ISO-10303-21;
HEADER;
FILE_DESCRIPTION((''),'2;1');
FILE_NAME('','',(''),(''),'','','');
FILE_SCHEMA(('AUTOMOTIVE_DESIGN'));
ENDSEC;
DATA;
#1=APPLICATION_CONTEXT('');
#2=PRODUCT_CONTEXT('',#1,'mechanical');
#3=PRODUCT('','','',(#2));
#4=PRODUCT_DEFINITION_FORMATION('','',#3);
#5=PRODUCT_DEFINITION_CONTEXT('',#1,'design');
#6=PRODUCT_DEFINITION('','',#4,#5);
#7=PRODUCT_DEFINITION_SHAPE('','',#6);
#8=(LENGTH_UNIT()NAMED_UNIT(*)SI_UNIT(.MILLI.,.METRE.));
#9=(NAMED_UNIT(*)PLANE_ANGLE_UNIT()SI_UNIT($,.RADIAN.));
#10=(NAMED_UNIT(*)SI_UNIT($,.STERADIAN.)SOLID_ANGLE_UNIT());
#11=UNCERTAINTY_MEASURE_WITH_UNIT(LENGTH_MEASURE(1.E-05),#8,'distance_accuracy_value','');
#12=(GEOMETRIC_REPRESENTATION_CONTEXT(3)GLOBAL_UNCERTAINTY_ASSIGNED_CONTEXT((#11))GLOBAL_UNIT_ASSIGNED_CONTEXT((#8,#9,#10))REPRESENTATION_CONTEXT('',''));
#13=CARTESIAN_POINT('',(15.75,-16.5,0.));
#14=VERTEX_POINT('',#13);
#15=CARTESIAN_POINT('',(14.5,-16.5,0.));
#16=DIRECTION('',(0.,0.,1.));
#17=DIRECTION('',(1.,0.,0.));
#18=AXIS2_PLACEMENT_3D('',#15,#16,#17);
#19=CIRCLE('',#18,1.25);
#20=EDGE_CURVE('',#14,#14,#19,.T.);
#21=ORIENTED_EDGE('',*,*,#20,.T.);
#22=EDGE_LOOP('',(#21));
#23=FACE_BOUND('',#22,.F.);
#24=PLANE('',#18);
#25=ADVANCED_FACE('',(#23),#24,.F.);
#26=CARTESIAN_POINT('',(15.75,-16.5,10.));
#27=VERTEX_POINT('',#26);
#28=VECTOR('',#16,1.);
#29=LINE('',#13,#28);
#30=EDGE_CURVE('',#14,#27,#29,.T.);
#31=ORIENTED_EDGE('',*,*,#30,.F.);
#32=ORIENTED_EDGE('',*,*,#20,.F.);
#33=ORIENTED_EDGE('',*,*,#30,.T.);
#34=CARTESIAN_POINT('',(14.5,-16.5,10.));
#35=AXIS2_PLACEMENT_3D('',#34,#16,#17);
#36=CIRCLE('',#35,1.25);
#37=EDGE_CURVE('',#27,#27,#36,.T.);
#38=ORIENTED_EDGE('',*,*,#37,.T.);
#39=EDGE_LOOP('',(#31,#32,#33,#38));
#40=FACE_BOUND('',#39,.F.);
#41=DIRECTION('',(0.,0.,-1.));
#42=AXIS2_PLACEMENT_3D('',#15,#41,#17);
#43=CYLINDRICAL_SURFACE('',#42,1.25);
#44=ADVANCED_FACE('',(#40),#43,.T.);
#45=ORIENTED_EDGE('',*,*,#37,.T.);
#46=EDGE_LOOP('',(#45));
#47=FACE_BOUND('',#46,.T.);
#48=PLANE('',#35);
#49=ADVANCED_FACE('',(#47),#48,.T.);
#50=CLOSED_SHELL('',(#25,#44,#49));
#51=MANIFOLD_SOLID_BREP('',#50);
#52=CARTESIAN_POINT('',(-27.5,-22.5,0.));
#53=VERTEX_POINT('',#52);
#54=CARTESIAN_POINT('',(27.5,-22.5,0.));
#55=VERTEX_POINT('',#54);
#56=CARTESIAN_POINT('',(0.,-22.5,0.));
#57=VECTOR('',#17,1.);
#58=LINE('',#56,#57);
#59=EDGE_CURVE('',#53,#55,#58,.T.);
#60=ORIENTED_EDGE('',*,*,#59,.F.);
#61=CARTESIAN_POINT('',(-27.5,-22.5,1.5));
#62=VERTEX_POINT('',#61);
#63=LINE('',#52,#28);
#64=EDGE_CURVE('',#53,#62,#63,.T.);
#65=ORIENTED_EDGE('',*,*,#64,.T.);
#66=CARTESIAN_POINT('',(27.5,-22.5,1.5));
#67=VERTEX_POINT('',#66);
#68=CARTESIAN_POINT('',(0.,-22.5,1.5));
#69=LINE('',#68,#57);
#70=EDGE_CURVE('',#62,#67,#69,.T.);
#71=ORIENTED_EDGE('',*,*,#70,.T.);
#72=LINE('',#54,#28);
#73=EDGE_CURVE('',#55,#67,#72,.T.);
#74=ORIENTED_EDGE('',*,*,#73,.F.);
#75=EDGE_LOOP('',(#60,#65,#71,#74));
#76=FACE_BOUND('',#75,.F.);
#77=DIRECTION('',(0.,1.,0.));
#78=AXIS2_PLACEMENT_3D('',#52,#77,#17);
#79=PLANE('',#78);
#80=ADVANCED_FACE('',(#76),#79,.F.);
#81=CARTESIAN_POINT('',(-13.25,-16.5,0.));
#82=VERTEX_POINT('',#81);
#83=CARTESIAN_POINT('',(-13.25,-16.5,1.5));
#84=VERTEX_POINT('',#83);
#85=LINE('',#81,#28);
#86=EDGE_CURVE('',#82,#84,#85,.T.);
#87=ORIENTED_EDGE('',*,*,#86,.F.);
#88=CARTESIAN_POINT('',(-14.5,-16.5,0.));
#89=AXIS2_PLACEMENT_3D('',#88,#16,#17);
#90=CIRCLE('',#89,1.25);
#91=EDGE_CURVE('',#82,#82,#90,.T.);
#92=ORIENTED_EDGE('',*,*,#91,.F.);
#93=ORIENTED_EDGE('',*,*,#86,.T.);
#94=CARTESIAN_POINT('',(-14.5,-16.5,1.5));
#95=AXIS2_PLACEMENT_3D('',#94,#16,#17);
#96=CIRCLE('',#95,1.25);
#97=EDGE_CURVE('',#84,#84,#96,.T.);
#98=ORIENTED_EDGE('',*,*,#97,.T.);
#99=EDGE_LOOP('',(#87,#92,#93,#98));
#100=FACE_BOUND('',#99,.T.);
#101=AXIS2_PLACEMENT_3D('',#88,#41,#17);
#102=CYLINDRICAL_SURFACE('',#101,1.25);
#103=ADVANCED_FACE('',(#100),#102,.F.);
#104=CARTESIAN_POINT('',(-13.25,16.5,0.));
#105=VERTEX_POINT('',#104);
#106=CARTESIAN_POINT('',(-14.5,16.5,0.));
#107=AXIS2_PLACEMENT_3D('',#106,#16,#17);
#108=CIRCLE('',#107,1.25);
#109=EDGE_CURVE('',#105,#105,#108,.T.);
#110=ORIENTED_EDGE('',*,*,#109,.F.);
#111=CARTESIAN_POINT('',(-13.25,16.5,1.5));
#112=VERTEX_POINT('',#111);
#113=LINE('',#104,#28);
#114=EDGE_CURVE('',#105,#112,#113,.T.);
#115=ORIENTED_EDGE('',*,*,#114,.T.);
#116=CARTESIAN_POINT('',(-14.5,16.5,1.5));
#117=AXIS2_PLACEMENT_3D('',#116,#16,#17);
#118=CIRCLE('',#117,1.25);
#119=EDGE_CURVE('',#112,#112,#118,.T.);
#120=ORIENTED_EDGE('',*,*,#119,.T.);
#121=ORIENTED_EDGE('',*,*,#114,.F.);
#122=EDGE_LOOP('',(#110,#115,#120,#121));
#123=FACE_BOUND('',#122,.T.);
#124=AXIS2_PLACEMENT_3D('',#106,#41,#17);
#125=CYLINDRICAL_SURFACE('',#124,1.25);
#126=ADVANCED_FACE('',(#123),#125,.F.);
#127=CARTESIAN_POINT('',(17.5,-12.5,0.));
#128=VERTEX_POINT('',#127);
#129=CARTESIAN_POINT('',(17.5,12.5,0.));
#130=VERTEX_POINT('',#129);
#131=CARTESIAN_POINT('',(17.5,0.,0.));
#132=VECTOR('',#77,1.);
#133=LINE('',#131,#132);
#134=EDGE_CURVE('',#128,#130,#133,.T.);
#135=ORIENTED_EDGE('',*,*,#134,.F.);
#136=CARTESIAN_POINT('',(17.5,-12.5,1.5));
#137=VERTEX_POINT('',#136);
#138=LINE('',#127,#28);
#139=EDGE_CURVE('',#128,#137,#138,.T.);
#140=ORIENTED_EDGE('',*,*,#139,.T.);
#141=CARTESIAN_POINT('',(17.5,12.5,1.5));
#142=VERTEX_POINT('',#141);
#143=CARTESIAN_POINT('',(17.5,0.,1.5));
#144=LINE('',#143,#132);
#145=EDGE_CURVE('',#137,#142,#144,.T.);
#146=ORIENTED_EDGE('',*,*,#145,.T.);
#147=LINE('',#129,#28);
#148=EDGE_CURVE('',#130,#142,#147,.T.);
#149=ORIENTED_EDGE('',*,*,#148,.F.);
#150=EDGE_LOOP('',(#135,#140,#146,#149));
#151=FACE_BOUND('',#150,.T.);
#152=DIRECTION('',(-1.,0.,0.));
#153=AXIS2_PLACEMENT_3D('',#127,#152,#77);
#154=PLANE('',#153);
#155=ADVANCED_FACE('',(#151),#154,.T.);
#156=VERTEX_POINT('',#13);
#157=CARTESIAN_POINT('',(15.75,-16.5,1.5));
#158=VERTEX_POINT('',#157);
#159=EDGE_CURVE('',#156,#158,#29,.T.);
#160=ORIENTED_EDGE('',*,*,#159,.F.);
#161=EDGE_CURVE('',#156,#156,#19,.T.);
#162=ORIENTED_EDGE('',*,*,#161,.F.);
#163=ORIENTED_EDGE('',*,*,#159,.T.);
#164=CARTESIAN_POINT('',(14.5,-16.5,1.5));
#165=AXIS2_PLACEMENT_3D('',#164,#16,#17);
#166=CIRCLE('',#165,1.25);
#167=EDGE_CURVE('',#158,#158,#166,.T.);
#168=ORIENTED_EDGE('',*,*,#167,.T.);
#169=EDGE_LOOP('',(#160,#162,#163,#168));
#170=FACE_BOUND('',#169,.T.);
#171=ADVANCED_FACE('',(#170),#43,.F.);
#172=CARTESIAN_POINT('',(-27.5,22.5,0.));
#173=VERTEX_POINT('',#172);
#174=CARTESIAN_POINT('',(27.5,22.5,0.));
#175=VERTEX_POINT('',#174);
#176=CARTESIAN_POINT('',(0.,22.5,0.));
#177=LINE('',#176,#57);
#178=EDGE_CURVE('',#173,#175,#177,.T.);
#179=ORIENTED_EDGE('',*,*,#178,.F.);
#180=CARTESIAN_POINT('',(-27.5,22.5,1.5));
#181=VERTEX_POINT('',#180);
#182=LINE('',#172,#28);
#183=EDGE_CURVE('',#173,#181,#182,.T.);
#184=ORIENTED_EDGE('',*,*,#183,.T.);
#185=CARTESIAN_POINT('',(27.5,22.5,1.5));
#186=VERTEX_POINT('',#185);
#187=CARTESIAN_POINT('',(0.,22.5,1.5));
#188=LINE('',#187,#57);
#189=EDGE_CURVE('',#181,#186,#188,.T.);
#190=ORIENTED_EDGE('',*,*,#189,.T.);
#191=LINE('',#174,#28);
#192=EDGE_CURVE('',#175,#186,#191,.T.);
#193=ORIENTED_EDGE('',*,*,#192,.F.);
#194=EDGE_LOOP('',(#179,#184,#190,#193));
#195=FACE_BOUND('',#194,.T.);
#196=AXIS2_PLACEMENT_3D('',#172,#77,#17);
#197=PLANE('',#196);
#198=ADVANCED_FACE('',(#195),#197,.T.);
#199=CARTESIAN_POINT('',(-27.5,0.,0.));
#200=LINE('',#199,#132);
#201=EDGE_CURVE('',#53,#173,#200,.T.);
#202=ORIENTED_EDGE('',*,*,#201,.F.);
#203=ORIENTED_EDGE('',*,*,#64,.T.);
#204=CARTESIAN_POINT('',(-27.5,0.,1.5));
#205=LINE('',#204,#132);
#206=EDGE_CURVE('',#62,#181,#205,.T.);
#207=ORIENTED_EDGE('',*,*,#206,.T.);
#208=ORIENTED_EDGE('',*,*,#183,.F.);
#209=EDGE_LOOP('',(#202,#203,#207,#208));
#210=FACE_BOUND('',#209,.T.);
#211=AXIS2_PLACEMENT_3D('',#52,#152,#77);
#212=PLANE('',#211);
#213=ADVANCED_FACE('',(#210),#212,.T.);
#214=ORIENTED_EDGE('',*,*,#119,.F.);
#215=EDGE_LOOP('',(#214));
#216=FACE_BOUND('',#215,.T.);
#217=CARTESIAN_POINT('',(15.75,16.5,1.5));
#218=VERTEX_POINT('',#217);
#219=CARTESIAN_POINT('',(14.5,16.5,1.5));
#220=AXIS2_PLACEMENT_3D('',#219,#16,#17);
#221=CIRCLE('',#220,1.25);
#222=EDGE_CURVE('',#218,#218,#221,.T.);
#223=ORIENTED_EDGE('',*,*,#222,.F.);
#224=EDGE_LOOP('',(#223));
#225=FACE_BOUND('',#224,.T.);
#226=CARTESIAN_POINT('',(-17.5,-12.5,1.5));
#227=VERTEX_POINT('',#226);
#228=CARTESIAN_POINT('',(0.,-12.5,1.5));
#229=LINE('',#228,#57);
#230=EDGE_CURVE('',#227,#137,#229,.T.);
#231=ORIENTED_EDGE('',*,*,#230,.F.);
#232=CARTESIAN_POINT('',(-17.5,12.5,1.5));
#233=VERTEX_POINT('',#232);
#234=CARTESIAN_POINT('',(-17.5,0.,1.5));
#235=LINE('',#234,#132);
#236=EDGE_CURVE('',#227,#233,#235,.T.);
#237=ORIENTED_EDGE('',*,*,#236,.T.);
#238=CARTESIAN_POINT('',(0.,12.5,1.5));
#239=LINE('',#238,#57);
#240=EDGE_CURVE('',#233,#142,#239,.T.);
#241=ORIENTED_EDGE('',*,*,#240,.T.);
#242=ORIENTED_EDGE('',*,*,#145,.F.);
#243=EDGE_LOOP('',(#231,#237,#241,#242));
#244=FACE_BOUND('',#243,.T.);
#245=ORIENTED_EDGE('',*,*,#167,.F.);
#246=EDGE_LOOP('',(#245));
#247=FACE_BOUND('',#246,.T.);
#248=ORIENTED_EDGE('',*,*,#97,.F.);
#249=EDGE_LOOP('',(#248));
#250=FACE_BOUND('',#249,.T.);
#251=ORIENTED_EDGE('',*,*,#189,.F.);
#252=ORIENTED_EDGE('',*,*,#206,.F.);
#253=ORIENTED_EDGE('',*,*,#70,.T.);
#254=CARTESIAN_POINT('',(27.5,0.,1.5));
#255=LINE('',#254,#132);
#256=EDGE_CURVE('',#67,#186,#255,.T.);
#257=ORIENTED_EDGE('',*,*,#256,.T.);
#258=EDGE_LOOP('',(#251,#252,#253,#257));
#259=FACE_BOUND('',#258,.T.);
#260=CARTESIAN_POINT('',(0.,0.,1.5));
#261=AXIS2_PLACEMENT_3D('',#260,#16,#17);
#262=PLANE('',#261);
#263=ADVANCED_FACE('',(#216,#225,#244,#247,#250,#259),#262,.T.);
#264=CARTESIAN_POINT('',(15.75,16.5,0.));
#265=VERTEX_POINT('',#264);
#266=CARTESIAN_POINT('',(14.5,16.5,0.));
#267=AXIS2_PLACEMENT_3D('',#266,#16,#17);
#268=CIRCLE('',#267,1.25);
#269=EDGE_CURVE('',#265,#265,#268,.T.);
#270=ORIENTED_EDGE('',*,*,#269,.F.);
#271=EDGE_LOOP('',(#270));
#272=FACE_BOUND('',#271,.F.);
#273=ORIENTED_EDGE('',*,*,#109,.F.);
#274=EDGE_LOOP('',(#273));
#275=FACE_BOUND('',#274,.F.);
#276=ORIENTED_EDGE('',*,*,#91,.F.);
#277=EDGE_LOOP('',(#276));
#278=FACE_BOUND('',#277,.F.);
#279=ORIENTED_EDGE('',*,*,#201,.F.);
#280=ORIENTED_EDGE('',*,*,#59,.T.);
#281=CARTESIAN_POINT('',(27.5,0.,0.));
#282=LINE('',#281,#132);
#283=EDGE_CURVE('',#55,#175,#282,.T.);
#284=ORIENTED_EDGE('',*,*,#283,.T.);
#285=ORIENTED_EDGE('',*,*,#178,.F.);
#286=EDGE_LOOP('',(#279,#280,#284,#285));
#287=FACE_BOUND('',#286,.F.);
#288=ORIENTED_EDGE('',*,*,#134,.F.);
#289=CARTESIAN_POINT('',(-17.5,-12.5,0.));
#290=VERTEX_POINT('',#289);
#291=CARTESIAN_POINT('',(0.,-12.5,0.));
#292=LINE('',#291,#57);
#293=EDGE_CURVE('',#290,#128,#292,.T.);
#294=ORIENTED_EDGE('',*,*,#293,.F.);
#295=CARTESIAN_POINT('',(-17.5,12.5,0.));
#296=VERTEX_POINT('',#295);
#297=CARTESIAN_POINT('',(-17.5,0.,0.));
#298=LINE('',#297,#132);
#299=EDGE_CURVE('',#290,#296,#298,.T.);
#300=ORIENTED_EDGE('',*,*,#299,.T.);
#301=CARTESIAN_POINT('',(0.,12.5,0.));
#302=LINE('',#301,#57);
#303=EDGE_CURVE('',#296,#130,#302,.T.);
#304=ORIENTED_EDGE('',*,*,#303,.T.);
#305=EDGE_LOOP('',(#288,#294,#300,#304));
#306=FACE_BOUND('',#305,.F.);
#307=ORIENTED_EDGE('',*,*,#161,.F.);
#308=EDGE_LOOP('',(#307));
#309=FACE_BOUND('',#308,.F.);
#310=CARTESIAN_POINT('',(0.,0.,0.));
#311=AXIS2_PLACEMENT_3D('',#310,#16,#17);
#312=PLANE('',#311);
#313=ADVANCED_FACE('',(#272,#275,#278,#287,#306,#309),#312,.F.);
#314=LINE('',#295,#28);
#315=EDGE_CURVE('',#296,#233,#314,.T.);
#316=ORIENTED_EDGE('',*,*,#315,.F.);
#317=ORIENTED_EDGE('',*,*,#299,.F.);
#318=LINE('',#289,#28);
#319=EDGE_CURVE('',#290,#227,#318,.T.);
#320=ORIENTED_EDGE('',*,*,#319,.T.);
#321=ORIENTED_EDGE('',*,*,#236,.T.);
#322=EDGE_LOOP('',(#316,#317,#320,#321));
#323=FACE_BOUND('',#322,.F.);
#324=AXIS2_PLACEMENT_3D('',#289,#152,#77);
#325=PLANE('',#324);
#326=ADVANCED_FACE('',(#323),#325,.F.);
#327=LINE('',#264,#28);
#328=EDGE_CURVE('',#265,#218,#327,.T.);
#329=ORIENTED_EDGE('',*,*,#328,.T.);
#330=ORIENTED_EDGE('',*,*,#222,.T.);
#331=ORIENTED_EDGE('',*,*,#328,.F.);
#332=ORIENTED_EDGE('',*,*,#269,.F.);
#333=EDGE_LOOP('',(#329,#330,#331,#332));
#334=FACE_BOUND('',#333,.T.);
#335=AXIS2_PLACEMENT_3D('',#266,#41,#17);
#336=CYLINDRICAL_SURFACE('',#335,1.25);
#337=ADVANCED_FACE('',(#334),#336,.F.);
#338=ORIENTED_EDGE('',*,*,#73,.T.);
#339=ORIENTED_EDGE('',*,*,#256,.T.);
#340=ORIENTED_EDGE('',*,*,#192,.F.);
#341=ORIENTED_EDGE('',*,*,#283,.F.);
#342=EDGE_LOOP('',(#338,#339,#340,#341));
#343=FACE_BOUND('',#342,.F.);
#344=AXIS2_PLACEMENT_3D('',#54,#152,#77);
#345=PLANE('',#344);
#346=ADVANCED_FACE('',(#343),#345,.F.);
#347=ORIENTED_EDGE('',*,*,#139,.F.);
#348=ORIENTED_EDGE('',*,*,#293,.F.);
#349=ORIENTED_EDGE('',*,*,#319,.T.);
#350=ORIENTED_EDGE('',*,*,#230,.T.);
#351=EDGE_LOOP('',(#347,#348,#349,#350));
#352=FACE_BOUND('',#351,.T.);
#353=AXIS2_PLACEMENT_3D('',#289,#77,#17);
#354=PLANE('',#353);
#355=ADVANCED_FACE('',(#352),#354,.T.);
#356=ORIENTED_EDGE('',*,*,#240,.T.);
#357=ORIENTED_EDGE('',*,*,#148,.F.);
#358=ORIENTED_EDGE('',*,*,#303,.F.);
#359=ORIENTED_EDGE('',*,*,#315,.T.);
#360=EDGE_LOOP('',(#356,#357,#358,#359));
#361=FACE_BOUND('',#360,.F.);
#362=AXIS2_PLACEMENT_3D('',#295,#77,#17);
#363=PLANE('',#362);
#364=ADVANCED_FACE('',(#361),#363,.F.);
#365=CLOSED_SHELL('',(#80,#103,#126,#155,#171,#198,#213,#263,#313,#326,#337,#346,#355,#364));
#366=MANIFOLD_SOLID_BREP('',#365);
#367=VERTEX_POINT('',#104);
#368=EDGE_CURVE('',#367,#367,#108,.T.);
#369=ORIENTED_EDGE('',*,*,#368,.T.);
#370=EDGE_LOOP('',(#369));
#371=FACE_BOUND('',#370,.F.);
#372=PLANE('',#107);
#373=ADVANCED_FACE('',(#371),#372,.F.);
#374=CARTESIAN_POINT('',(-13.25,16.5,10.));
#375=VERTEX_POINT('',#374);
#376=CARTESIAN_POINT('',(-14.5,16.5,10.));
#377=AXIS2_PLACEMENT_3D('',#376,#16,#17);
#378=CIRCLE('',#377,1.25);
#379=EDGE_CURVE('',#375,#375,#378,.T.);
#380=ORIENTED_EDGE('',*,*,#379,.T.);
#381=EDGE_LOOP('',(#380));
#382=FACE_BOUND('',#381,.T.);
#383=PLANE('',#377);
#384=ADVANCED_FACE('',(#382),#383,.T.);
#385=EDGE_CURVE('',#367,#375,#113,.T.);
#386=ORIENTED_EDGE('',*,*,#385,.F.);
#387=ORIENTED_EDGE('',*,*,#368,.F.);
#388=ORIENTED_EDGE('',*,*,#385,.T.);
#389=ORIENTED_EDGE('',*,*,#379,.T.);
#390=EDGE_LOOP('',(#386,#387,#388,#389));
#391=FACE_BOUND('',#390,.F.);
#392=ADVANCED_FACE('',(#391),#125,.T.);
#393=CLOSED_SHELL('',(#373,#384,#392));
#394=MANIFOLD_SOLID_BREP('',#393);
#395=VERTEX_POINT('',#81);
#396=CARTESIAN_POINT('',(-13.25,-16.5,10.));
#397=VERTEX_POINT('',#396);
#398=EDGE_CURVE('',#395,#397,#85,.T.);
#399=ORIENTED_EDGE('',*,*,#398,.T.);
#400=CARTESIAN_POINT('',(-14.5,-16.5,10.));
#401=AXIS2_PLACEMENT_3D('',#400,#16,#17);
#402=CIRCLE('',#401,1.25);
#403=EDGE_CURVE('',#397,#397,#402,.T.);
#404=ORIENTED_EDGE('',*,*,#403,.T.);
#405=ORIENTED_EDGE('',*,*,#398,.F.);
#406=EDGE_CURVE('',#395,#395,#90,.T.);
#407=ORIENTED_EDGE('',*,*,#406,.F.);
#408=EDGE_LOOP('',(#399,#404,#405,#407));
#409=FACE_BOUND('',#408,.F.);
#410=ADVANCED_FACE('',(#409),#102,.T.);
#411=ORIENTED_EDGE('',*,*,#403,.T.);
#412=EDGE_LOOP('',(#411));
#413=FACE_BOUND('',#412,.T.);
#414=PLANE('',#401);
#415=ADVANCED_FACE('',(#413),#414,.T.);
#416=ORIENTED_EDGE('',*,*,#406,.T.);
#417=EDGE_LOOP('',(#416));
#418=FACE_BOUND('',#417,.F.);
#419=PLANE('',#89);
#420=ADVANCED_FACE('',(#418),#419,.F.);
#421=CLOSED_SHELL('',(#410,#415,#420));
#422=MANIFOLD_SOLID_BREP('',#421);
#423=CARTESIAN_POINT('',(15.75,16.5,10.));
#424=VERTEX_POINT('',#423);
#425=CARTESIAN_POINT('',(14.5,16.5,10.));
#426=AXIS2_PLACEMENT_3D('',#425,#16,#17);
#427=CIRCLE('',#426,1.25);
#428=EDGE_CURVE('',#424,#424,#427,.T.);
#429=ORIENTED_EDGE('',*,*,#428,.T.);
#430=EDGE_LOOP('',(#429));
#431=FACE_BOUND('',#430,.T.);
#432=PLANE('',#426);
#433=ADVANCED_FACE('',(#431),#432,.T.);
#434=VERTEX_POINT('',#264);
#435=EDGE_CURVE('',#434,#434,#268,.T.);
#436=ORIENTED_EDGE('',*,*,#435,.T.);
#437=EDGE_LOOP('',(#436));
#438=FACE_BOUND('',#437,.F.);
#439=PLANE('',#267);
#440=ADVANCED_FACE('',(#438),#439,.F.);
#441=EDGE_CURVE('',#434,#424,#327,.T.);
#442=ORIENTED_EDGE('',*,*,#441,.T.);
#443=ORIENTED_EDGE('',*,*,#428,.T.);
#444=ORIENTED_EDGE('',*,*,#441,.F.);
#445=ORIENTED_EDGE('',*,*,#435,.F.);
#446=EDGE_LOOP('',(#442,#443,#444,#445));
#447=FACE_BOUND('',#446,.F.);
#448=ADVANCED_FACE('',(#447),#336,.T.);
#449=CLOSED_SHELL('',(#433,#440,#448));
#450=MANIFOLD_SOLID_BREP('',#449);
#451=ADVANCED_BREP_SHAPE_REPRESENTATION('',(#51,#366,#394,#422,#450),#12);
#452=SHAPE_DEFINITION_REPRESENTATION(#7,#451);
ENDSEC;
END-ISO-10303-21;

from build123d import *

# Parameters (mm, degrees)
F0_R     = 1.25
F1_DEPTH = 10
F0_W     = 55
F0_H     = 45
F0_W_2   = 35
F0_H_2   = 25
F2_DEPTH = 1.5


with BuildPart() as f1:
    # F0 (on Top) → F1 (new body)
    with BuildSketch(Plane.XY):
        with Locations((-14.5, 16.5)):
            Circle(F0_R)
        with Locations((-14.5, -16.5)):
            Circle(F0_R)
        with Locations((14.5, -16.5)):
            Circle(F0_R)
        with Locations((14.5, 16.5)):
            Circle(F0_R)
    extrude(amount=F1_DEPTH)


with BuildPart() as f2:
    # F0 (on Top) → F2 (new body)
    with BuildSketch(Plane.XY):
        Rectangle(F0_W, F0_H)
        with Locations((-14.5, -16.5)):
            Circle(F0_R, mode=Mode.SUBTRACT)
        with Locations((14.5, -16.5)):
            Circle(F0_R, mode=Mode.SUBTRACT)
        with Locations((-14.5, 16.5)):
            Circle(F0_R, mode=Mode.SUBTRACT)
        Rectangle(F0_W_2, F0_H_2, mode=Mode.SUBTRACT)
        with Locations((14.5, 16.5)):
            Circle(F0_R, mode=Mode.SUBTRACT)
    extrude(amount=F2_DEPTH)


solid = Compound([f1.part, f2.part])
